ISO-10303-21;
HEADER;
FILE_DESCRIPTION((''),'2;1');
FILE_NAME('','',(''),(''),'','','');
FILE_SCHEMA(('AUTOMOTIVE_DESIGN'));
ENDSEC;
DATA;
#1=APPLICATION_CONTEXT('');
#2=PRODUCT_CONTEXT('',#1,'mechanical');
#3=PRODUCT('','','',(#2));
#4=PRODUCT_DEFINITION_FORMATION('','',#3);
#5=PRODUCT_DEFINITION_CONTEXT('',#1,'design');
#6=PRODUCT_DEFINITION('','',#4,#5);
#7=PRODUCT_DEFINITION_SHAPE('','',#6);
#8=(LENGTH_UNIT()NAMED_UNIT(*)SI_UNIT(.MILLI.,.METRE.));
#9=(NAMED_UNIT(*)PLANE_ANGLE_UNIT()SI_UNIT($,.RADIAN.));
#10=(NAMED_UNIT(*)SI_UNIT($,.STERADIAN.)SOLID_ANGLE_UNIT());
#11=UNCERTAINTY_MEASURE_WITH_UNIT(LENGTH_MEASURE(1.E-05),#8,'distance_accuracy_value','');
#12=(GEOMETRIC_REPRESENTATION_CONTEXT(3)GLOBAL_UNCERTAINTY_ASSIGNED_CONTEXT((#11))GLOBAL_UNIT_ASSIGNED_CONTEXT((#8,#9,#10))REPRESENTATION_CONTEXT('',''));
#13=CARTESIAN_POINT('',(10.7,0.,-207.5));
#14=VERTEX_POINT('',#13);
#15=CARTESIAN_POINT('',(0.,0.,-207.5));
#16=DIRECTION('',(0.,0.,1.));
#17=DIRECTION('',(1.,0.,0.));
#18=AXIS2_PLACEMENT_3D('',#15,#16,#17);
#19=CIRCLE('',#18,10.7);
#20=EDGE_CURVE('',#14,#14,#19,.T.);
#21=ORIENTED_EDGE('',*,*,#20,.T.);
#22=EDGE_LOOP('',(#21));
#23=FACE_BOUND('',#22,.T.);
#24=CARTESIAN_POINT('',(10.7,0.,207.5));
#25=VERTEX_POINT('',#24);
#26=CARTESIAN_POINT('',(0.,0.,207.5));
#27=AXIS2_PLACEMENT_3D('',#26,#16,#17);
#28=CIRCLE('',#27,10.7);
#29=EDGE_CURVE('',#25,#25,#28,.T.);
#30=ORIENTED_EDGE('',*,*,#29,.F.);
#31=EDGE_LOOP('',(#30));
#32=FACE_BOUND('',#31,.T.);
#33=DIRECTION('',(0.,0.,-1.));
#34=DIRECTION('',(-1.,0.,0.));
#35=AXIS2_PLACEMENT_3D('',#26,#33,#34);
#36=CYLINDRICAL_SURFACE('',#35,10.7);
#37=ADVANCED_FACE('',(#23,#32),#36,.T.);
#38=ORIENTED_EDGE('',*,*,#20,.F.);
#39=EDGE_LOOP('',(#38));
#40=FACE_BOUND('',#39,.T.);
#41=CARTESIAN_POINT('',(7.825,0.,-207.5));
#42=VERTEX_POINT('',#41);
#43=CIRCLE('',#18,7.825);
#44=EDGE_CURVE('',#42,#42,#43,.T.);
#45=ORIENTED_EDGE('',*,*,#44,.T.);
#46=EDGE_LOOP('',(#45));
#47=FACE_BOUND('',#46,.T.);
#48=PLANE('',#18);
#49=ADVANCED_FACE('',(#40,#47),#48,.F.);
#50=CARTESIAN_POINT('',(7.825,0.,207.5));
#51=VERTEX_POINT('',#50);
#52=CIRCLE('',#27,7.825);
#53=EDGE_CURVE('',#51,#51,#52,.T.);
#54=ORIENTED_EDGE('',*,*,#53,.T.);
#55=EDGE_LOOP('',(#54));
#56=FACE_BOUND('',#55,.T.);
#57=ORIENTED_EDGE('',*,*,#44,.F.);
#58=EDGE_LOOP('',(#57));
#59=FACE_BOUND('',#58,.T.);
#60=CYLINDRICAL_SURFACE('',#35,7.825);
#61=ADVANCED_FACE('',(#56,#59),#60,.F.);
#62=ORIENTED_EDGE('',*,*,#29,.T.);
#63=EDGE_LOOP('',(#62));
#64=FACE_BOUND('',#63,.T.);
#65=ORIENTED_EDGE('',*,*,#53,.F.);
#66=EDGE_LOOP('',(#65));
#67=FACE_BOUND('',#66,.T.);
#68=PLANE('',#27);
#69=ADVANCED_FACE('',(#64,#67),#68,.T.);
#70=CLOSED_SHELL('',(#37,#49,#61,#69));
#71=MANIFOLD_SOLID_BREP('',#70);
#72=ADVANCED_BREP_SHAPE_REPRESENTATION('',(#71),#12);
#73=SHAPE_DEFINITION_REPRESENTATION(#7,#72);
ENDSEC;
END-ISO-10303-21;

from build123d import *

# Parameters (mm, degrees)
CROQUIS1_R              = 10.7
CROQUIS1_R_2            = 7.825
SALIENTE_EXTRUIR1_DEPTH = 207.5


with BuildPart() as part:
    # Croquis1 → Saliente-Extruir1 (new body, symmetric)
    with BuildSketch(Plane.XY):
        Circle(CROQUIS1_R)
        Circle(CROQUIS1_R_2, mode=Mode.SUBTRACT)
    extrude(amount=SALIENTE_EXTRUIR1_DEPTH, both=True)


solid = part.part
